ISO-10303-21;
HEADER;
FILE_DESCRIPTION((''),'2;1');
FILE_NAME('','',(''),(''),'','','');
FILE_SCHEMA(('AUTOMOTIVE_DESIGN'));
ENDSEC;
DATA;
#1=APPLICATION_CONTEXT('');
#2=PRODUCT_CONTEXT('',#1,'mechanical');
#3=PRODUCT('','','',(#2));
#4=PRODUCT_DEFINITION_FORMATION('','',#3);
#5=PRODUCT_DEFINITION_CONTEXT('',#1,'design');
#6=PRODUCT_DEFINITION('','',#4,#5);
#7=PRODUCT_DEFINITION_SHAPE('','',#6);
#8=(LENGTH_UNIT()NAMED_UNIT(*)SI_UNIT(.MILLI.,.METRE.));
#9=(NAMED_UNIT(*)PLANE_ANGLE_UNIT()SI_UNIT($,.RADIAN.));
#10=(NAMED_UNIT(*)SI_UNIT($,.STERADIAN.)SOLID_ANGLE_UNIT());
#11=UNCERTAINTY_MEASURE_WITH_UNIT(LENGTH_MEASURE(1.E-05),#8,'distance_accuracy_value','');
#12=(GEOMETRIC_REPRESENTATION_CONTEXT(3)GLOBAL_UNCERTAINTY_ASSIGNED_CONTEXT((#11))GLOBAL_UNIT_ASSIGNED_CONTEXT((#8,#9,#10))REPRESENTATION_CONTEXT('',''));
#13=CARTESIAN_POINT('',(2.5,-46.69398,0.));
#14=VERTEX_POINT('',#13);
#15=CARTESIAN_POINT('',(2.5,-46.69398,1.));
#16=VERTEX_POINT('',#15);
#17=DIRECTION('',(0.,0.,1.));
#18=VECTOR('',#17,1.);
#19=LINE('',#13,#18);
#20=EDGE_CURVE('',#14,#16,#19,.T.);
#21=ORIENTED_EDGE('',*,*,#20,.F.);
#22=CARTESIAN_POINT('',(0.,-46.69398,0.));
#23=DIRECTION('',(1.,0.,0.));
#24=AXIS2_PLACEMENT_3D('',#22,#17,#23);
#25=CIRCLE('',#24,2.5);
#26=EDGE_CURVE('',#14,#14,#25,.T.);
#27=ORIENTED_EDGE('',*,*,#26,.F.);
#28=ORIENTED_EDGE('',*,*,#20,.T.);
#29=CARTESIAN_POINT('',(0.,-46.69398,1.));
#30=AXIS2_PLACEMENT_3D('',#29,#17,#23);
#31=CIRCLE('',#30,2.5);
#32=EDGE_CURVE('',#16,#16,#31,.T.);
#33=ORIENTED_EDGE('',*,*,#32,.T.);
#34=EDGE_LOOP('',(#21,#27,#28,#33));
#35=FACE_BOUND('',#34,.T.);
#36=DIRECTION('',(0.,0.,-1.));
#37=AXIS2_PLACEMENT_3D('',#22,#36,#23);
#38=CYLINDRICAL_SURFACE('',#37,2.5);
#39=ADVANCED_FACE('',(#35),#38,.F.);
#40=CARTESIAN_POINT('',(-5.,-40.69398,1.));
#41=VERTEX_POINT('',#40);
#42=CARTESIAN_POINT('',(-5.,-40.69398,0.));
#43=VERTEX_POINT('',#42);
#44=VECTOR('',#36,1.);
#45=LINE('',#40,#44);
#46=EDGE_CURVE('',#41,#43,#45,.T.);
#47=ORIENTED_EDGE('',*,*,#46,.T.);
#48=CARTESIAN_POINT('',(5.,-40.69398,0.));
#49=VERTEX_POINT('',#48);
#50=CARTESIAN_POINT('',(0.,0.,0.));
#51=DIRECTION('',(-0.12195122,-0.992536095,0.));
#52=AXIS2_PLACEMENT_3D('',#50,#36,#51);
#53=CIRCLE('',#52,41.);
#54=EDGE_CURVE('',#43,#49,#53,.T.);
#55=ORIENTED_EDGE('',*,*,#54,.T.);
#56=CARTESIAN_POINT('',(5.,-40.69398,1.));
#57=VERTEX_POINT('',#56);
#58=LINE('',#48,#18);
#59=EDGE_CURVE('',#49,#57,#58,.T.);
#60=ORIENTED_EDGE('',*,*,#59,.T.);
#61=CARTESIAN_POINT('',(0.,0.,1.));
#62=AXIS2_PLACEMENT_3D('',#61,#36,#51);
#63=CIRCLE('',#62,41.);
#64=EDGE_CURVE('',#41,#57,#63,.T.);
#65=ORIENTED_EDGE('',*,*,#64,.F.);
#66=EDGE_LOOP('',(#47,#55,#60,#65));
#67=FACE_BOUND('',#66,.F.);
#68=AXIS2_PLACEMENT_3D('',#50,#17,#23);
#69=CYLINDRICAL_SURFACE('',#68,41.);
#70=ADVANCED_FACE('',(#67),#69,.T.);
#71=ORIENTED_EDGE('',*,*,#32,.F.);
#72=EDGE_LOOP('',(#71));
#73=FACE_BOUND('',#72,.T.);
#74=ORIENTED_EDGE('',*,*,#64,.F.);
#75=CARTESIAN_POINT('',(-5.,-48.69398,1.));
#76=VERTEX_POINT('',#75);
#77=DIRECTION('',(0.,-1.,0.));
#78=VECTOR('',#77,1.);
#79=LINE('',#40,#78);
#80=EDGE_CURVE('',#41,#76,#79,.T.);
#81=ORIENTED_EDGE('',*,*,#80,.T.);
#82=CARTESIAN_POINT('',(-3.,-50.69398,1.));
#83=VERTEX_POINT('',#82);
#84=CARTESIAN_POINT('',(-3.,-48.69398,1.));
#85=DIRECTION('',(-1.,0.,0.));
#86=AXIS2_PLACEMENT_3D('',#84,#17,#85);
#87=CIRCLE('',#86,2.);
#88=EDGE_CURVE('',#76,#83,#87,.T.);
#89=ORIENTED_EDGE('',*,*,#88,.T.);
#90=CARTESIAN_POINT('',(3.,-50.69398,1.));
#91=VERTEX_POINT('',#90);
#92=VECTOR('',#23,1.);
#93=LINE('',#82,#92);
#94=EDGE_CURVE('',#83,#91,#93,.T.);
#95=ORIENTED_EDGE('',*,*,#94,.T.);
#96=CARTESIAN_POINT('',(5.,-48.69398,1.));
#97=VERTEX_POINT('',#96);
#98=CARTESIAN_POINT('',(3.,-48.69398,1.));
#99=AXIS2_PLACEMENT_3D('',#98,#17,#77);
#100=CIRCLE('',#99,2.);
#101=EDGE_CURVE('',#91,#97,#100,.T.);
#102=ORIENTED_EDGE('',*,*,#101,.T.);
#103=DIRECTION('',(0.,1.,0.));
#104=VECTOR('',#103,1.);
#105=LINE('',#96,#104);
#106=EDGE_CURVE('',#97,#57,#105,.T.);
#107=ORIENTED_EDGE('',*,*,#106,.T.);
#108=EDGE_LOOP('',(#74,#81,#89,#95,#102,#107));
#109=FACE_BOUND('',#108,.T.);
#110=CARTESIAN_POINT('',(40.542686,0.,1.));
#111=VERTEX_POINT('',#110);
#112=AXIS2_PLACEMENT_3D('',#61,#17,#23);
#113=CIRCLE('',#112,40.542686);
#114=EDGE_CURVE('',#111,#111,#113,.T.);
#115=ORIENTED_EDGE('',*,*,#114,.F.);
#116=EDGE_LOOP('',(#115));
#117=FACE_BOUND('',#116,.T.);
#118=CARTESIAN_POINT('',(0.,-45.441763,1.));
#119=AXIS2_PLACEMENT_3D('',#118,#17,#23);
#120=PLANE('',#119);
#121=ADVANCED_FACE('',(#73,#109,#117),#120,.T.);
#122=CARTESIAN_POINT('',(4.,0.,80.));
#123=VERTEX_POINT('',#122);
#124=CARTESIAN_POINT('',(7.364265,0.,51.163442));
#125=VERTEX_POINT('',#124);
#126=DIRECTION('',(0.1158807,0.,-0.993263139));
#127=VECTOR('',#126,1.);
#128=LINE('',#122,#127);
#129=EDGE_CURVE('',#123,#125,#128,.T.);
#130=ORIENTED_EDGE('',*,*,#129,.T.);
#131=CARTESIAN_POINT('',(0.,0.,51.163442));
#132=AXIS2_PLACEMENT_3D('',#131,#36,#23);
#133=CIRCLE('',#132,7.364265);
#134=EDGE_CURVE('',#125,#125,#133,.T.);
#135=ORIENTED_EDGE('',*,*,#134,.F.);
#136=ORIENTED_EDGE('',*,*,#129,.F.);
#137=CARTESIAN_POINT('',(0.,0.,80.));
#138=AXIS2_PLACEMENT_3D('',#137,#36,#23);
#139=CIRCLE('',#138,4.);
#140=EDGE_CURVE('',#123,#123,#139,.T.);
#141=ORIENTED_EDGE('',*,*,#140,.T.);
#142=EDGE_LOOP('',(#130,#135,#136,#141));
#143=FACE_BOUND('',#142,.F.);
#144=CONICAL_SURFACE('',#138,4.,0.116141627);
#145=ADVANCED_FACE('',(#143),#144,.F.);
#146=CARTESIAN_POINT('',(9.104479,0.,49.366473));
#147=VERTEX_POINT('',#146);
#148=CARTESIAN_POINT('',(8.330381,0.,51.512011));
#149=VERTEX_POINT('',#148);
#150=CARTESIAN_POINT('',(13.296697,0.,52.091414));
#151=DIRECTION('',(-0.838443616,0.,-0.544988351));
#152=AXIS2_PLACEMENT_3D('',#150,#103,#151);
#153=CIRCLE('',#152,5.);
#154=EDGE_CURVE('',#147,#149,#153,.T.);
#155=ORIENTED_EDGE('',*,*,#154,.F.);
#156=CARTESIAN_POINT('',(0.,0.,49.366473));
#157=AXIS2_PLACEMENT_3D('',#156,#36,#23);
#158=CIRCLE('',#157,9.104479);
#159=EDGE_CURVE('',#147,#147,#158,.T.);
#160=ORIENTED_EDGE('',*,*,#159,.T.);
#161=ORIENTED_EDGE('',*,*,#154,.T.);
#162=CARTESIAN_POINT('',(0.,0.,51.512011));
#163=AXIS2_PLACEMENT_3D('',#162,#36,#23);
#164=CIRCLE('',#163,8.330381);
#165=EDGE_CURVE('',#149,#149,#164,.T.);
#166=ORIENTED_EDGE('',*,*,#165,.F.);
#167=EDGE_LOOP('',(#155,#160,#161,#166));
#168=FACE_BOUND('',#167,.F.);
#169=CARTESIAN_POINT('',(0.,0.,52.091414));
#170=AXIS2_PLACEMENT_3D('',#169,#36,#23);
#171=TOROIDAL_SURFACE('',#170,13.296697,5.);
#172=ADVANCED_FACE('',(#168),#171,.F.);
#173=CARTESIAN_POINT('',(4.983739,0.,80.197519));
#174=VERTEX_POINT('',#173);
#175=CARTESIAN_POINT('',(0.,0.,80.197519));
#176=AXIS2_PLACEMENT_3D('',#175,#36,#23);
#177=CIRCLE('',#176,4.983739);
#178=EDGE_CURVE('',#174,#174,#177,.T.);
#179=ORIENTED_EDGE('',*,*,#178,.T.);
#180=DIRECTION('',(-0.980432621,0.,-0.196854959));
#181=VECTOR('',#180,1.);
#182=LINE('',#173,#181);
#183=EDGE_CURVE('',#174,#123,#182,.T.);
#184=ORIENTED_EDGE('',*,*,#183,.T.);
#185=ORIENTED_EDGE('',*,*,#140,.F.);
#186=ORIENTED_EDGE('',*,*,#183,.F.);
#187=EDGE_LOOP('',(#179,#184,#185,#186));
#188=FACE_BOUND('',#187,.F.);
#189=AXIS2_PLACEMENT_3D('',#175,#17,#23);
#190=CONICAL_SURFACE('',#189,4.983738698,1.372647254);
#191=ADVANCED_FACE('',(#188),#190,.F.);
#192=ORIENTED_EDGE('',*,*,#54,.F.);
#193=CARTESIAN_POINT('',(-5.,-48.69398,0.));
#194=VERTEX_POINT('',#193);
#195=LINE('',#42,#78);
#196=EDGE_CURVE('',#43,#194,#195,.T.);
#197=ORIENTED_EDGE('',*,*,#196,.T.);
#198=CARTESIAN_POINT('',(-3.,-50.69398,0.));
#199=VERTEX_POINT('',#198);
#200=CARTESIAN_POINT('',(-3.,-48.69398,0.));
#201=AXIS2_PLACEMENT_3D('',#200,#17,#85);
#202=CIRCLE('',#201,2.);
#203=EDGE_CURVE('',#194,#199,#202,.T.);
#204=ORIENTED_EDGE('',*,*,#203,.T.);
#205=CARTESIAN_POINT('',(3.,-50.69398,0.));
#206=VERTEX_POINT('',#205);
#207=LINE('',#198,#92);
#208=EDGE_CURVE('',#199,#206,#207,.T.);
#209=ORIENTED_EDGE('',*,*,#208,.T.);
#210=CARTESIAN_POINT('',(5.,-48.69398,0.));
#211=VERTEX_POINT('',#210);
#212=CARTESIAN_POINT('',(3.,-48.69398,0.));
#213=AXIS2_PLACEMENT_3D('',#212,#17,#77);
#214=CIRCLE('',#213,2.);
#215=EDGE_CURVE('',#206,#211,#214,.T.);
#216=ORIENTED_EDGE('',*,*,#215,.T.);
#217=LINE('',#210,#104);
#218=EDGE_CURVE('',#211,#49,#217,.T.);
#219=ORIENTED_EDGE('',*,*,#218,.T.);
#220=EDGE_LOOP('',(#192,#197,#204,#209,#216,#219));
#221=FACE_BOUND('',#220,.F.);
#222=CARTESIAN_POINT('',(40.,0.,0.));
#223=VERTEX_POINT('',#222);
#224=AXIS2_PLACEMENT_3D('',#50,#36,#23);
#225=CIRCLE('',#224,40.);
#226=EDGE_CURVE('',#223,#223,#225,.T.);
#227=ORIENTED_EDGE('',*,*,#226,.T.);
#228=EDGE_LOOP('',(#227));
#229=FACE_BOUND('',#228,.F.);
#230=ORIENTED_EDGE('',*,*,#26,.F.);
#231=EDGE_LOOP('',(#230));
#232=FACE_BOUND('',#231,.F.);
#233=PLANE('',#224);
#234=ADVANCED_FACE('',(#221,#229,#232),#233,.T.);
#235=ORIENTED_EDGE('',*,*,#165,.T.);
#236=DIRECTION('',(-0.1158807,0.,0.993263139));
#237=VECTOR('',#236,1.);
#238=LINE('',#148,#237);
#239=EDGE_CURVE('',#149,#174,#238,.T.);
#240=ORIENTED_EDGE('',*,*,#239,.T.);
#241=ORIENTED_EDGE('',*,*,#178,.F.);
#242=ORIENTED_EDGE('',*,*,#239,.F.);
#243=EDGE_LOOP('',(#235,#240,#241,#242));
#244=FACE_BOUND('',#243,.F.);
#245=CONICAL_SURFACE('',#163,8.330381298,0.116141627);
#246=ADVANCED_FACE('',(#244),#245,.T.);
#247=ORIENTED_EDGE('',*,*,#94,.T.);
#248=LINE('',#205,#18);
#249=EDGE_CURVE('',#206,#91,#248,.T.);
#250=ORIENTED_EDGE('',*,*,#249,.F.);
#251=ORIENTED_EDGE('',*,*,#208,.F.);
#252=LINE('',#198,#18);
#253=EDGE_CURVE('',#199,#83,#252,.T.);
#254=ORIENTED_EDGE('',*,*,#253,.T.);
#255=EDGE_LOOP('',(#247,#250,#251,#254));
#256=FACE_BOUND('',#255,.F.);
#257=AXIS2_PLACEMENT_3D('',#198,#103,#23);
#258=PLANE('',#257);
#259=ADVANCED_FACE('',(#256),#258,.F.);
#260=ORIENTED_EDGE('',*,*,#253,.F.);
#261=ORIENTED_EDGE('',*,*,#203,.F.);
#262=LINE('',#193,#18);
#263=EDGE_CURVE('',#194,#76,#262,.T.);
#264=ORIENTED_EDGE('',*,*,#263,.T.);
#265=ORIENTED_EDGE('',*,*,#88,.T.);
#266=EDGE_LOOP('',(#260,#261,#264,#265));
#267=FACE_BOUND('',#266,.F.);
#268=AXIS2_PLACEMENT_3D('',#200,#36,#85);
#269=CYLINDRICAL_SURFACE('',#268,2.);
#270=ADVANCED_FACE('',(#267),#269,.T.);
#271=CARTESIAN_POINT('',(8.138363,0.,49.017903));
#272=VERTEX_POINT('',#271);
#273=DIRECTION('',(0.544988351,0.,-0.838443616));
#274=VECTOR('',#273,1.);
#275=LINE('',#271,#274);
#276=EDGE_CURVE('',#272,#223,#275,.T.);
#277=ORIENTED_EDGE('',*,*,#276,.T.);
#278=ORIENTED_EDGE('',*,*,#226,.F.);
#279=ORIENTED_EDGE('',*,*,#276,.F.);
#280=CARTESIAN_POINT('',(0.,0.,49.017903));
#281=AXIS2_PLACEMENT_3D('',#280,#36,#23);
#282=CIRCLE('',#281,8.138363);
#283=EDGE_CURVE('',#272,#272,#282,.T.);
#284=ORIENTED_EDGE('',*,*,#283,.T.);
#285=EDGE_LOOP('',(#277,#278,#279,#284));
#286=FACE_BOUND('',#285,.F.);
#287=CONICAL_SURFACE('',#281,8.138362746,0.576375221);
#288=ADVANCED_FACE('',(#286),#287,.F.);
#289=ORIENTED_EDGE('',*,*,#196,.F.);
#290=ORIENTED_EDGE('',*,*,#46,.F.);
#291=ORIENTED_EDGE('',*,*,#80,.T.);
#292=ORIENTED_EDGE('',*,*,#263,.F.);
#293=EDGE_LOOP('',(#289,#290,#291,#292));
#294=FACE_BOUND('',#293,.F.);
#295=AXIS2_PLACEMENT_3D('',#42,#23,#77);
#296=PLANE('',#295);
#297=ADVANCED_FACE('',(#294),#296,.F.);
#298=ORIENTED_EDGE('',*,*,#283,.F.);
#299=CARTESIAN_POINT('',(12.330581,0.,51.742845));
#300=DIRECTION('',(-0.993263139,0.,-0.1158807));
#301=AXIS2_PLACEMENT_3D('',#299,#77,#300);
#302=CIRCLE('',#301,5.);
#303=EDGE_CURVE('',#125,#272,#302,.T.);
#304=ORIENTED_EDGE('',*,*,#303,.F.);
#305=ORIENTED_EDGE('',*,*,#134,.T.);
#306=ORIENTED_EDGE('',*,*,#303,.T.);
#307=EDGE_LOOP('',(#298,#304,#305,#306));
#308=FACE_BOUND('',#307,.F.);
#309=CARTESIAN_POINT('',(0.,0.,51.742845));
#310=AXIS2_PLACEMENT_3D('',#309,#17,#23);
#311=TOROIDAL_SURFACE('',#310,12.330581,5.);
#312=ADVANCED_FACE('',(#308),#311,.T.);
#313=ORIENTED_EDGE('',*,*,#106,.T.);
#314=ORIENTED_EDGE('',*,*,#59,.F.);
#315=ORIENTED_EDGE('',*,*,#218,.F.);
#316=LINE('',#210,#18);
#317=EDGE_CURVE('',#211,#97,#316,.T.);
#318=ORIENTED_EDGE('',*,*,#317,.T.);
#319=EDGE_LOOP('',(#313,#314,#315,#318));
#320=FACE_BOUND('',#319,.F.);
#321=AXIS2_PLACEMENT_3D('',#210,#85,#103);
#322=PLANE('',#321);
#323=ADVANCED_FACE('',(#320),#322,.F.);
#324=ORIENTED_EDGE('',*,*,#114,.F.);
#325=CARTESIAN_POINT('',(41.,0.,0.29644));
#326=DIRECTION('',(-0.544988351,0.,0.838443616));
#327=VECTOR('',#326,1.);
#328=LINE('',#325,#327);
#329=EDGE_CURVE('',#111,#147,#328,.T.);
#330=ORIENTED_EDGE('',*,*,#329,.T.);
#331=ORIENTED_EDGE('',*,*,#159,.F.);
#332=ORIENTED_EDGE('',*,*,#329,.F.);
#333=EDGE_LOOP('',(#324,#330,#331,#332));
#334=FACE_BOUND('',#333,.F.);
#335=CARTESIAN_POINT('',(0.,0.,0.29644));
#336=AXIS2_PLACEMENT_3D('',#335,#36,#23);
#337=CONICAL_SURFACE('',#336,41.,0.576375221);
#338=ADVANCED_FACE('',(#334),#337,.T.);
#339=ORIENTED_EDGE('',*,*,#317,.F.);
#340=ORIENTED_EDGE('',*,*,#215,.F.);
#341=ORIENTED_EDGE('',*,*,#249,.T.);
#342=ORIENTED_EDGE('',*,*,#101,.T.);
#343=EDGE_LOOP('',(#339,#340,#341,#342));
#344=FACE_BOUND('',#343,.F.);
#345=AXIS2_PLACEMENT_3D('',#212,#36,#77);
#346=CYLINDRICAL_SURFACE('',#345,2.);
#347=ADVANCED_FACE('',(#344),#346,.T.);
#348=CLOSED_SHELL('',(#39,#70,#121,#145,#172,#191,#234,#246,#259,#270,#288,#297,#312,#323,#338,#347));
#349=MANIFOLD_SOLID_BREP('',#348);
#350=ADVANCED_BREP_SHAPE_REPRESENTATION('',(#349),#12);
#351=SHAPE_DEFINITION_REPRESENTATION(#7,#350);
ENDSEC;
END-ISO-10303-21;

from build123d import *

# Parameters (mm, degrees)
F2_R        = 2.5
F1_FACE_R   = 41
F1_FACE_R_2 = 40
F3_DEPTH    = 1


with BuildPart() as f1:
    # F0 (on Front) → F1 (revolve)
    with BuildSketch(Plane.XZ):
        with BuildLine():
            Line((8.1383627463, 49.0179034672), (40, 0))
            Line((40, 0), (41, 0))
            Line((41, 0), (41, 0.296440068))
            Line((41, 0.296440068), (9.1044789119, 49.3664725112))
            ThreePointArc((9.1044789119, 49.3664725112), (8.5934514292, 50.39451086), (8.330381298, 51.5120107664))
            Line((8.330381298, 51.5120107664), (4.983738698, 80.1975187658))
            Line((4.983738698, 80.1975187658), (4, 80))
            Line((4, 80), (7.3642651324, 51.1634417224))
            ThreePointArc((7.3642651324, 51.1634417224), (7.6273352637, 50.045941816), (8.1383627463, 49.0179034672))
        make_face()
    revolve(axis=Axis((0, 0, 25.617052801), (0, 0, -1)))

    # F2 (on Top) + F1_face (on face) → F3 (join)
    with BuildSketch(Plane.XY):
        with BuildLine():
            Line((5, -40.6939798988), (-5, -40.6939798988))
            Line((-5, -40.6939798988), (-5, -48.6939798988))
            ThreePointArc((-5, -48.6939798988), (-4.4142135624, -50.1081934611), (-3, -50.6939798988))
            Line((-3, -50.6939798988), (0, -50.6939798988))
            Line((0, -50.6939798988), (3, -50.6939798988))
            ThreePointArc((3, -50.6939798988), (4.4142135624, -50.1081934611), (5, -48.6939798988))
            Line((5, -48.6939798988), (5, -40.6939798988))
        make_face()
        with Locations((0, -46.6939798988)):
            Circle(F2_R, mode=Mode.SUBTRACT)
    with BuildSketch(Plane(origin=(0, 0, 0), x_dir=(1, 0, 0), z_dir=(0, 0, -1))):
        Circle(F1_FACE_R)
        Circle(F1_FACE_R_2, mode=Mode.SUBTRACT)
    extrude(amount=F3_DEPTH, dir=(0, 0, 1))


solid = f1.part
